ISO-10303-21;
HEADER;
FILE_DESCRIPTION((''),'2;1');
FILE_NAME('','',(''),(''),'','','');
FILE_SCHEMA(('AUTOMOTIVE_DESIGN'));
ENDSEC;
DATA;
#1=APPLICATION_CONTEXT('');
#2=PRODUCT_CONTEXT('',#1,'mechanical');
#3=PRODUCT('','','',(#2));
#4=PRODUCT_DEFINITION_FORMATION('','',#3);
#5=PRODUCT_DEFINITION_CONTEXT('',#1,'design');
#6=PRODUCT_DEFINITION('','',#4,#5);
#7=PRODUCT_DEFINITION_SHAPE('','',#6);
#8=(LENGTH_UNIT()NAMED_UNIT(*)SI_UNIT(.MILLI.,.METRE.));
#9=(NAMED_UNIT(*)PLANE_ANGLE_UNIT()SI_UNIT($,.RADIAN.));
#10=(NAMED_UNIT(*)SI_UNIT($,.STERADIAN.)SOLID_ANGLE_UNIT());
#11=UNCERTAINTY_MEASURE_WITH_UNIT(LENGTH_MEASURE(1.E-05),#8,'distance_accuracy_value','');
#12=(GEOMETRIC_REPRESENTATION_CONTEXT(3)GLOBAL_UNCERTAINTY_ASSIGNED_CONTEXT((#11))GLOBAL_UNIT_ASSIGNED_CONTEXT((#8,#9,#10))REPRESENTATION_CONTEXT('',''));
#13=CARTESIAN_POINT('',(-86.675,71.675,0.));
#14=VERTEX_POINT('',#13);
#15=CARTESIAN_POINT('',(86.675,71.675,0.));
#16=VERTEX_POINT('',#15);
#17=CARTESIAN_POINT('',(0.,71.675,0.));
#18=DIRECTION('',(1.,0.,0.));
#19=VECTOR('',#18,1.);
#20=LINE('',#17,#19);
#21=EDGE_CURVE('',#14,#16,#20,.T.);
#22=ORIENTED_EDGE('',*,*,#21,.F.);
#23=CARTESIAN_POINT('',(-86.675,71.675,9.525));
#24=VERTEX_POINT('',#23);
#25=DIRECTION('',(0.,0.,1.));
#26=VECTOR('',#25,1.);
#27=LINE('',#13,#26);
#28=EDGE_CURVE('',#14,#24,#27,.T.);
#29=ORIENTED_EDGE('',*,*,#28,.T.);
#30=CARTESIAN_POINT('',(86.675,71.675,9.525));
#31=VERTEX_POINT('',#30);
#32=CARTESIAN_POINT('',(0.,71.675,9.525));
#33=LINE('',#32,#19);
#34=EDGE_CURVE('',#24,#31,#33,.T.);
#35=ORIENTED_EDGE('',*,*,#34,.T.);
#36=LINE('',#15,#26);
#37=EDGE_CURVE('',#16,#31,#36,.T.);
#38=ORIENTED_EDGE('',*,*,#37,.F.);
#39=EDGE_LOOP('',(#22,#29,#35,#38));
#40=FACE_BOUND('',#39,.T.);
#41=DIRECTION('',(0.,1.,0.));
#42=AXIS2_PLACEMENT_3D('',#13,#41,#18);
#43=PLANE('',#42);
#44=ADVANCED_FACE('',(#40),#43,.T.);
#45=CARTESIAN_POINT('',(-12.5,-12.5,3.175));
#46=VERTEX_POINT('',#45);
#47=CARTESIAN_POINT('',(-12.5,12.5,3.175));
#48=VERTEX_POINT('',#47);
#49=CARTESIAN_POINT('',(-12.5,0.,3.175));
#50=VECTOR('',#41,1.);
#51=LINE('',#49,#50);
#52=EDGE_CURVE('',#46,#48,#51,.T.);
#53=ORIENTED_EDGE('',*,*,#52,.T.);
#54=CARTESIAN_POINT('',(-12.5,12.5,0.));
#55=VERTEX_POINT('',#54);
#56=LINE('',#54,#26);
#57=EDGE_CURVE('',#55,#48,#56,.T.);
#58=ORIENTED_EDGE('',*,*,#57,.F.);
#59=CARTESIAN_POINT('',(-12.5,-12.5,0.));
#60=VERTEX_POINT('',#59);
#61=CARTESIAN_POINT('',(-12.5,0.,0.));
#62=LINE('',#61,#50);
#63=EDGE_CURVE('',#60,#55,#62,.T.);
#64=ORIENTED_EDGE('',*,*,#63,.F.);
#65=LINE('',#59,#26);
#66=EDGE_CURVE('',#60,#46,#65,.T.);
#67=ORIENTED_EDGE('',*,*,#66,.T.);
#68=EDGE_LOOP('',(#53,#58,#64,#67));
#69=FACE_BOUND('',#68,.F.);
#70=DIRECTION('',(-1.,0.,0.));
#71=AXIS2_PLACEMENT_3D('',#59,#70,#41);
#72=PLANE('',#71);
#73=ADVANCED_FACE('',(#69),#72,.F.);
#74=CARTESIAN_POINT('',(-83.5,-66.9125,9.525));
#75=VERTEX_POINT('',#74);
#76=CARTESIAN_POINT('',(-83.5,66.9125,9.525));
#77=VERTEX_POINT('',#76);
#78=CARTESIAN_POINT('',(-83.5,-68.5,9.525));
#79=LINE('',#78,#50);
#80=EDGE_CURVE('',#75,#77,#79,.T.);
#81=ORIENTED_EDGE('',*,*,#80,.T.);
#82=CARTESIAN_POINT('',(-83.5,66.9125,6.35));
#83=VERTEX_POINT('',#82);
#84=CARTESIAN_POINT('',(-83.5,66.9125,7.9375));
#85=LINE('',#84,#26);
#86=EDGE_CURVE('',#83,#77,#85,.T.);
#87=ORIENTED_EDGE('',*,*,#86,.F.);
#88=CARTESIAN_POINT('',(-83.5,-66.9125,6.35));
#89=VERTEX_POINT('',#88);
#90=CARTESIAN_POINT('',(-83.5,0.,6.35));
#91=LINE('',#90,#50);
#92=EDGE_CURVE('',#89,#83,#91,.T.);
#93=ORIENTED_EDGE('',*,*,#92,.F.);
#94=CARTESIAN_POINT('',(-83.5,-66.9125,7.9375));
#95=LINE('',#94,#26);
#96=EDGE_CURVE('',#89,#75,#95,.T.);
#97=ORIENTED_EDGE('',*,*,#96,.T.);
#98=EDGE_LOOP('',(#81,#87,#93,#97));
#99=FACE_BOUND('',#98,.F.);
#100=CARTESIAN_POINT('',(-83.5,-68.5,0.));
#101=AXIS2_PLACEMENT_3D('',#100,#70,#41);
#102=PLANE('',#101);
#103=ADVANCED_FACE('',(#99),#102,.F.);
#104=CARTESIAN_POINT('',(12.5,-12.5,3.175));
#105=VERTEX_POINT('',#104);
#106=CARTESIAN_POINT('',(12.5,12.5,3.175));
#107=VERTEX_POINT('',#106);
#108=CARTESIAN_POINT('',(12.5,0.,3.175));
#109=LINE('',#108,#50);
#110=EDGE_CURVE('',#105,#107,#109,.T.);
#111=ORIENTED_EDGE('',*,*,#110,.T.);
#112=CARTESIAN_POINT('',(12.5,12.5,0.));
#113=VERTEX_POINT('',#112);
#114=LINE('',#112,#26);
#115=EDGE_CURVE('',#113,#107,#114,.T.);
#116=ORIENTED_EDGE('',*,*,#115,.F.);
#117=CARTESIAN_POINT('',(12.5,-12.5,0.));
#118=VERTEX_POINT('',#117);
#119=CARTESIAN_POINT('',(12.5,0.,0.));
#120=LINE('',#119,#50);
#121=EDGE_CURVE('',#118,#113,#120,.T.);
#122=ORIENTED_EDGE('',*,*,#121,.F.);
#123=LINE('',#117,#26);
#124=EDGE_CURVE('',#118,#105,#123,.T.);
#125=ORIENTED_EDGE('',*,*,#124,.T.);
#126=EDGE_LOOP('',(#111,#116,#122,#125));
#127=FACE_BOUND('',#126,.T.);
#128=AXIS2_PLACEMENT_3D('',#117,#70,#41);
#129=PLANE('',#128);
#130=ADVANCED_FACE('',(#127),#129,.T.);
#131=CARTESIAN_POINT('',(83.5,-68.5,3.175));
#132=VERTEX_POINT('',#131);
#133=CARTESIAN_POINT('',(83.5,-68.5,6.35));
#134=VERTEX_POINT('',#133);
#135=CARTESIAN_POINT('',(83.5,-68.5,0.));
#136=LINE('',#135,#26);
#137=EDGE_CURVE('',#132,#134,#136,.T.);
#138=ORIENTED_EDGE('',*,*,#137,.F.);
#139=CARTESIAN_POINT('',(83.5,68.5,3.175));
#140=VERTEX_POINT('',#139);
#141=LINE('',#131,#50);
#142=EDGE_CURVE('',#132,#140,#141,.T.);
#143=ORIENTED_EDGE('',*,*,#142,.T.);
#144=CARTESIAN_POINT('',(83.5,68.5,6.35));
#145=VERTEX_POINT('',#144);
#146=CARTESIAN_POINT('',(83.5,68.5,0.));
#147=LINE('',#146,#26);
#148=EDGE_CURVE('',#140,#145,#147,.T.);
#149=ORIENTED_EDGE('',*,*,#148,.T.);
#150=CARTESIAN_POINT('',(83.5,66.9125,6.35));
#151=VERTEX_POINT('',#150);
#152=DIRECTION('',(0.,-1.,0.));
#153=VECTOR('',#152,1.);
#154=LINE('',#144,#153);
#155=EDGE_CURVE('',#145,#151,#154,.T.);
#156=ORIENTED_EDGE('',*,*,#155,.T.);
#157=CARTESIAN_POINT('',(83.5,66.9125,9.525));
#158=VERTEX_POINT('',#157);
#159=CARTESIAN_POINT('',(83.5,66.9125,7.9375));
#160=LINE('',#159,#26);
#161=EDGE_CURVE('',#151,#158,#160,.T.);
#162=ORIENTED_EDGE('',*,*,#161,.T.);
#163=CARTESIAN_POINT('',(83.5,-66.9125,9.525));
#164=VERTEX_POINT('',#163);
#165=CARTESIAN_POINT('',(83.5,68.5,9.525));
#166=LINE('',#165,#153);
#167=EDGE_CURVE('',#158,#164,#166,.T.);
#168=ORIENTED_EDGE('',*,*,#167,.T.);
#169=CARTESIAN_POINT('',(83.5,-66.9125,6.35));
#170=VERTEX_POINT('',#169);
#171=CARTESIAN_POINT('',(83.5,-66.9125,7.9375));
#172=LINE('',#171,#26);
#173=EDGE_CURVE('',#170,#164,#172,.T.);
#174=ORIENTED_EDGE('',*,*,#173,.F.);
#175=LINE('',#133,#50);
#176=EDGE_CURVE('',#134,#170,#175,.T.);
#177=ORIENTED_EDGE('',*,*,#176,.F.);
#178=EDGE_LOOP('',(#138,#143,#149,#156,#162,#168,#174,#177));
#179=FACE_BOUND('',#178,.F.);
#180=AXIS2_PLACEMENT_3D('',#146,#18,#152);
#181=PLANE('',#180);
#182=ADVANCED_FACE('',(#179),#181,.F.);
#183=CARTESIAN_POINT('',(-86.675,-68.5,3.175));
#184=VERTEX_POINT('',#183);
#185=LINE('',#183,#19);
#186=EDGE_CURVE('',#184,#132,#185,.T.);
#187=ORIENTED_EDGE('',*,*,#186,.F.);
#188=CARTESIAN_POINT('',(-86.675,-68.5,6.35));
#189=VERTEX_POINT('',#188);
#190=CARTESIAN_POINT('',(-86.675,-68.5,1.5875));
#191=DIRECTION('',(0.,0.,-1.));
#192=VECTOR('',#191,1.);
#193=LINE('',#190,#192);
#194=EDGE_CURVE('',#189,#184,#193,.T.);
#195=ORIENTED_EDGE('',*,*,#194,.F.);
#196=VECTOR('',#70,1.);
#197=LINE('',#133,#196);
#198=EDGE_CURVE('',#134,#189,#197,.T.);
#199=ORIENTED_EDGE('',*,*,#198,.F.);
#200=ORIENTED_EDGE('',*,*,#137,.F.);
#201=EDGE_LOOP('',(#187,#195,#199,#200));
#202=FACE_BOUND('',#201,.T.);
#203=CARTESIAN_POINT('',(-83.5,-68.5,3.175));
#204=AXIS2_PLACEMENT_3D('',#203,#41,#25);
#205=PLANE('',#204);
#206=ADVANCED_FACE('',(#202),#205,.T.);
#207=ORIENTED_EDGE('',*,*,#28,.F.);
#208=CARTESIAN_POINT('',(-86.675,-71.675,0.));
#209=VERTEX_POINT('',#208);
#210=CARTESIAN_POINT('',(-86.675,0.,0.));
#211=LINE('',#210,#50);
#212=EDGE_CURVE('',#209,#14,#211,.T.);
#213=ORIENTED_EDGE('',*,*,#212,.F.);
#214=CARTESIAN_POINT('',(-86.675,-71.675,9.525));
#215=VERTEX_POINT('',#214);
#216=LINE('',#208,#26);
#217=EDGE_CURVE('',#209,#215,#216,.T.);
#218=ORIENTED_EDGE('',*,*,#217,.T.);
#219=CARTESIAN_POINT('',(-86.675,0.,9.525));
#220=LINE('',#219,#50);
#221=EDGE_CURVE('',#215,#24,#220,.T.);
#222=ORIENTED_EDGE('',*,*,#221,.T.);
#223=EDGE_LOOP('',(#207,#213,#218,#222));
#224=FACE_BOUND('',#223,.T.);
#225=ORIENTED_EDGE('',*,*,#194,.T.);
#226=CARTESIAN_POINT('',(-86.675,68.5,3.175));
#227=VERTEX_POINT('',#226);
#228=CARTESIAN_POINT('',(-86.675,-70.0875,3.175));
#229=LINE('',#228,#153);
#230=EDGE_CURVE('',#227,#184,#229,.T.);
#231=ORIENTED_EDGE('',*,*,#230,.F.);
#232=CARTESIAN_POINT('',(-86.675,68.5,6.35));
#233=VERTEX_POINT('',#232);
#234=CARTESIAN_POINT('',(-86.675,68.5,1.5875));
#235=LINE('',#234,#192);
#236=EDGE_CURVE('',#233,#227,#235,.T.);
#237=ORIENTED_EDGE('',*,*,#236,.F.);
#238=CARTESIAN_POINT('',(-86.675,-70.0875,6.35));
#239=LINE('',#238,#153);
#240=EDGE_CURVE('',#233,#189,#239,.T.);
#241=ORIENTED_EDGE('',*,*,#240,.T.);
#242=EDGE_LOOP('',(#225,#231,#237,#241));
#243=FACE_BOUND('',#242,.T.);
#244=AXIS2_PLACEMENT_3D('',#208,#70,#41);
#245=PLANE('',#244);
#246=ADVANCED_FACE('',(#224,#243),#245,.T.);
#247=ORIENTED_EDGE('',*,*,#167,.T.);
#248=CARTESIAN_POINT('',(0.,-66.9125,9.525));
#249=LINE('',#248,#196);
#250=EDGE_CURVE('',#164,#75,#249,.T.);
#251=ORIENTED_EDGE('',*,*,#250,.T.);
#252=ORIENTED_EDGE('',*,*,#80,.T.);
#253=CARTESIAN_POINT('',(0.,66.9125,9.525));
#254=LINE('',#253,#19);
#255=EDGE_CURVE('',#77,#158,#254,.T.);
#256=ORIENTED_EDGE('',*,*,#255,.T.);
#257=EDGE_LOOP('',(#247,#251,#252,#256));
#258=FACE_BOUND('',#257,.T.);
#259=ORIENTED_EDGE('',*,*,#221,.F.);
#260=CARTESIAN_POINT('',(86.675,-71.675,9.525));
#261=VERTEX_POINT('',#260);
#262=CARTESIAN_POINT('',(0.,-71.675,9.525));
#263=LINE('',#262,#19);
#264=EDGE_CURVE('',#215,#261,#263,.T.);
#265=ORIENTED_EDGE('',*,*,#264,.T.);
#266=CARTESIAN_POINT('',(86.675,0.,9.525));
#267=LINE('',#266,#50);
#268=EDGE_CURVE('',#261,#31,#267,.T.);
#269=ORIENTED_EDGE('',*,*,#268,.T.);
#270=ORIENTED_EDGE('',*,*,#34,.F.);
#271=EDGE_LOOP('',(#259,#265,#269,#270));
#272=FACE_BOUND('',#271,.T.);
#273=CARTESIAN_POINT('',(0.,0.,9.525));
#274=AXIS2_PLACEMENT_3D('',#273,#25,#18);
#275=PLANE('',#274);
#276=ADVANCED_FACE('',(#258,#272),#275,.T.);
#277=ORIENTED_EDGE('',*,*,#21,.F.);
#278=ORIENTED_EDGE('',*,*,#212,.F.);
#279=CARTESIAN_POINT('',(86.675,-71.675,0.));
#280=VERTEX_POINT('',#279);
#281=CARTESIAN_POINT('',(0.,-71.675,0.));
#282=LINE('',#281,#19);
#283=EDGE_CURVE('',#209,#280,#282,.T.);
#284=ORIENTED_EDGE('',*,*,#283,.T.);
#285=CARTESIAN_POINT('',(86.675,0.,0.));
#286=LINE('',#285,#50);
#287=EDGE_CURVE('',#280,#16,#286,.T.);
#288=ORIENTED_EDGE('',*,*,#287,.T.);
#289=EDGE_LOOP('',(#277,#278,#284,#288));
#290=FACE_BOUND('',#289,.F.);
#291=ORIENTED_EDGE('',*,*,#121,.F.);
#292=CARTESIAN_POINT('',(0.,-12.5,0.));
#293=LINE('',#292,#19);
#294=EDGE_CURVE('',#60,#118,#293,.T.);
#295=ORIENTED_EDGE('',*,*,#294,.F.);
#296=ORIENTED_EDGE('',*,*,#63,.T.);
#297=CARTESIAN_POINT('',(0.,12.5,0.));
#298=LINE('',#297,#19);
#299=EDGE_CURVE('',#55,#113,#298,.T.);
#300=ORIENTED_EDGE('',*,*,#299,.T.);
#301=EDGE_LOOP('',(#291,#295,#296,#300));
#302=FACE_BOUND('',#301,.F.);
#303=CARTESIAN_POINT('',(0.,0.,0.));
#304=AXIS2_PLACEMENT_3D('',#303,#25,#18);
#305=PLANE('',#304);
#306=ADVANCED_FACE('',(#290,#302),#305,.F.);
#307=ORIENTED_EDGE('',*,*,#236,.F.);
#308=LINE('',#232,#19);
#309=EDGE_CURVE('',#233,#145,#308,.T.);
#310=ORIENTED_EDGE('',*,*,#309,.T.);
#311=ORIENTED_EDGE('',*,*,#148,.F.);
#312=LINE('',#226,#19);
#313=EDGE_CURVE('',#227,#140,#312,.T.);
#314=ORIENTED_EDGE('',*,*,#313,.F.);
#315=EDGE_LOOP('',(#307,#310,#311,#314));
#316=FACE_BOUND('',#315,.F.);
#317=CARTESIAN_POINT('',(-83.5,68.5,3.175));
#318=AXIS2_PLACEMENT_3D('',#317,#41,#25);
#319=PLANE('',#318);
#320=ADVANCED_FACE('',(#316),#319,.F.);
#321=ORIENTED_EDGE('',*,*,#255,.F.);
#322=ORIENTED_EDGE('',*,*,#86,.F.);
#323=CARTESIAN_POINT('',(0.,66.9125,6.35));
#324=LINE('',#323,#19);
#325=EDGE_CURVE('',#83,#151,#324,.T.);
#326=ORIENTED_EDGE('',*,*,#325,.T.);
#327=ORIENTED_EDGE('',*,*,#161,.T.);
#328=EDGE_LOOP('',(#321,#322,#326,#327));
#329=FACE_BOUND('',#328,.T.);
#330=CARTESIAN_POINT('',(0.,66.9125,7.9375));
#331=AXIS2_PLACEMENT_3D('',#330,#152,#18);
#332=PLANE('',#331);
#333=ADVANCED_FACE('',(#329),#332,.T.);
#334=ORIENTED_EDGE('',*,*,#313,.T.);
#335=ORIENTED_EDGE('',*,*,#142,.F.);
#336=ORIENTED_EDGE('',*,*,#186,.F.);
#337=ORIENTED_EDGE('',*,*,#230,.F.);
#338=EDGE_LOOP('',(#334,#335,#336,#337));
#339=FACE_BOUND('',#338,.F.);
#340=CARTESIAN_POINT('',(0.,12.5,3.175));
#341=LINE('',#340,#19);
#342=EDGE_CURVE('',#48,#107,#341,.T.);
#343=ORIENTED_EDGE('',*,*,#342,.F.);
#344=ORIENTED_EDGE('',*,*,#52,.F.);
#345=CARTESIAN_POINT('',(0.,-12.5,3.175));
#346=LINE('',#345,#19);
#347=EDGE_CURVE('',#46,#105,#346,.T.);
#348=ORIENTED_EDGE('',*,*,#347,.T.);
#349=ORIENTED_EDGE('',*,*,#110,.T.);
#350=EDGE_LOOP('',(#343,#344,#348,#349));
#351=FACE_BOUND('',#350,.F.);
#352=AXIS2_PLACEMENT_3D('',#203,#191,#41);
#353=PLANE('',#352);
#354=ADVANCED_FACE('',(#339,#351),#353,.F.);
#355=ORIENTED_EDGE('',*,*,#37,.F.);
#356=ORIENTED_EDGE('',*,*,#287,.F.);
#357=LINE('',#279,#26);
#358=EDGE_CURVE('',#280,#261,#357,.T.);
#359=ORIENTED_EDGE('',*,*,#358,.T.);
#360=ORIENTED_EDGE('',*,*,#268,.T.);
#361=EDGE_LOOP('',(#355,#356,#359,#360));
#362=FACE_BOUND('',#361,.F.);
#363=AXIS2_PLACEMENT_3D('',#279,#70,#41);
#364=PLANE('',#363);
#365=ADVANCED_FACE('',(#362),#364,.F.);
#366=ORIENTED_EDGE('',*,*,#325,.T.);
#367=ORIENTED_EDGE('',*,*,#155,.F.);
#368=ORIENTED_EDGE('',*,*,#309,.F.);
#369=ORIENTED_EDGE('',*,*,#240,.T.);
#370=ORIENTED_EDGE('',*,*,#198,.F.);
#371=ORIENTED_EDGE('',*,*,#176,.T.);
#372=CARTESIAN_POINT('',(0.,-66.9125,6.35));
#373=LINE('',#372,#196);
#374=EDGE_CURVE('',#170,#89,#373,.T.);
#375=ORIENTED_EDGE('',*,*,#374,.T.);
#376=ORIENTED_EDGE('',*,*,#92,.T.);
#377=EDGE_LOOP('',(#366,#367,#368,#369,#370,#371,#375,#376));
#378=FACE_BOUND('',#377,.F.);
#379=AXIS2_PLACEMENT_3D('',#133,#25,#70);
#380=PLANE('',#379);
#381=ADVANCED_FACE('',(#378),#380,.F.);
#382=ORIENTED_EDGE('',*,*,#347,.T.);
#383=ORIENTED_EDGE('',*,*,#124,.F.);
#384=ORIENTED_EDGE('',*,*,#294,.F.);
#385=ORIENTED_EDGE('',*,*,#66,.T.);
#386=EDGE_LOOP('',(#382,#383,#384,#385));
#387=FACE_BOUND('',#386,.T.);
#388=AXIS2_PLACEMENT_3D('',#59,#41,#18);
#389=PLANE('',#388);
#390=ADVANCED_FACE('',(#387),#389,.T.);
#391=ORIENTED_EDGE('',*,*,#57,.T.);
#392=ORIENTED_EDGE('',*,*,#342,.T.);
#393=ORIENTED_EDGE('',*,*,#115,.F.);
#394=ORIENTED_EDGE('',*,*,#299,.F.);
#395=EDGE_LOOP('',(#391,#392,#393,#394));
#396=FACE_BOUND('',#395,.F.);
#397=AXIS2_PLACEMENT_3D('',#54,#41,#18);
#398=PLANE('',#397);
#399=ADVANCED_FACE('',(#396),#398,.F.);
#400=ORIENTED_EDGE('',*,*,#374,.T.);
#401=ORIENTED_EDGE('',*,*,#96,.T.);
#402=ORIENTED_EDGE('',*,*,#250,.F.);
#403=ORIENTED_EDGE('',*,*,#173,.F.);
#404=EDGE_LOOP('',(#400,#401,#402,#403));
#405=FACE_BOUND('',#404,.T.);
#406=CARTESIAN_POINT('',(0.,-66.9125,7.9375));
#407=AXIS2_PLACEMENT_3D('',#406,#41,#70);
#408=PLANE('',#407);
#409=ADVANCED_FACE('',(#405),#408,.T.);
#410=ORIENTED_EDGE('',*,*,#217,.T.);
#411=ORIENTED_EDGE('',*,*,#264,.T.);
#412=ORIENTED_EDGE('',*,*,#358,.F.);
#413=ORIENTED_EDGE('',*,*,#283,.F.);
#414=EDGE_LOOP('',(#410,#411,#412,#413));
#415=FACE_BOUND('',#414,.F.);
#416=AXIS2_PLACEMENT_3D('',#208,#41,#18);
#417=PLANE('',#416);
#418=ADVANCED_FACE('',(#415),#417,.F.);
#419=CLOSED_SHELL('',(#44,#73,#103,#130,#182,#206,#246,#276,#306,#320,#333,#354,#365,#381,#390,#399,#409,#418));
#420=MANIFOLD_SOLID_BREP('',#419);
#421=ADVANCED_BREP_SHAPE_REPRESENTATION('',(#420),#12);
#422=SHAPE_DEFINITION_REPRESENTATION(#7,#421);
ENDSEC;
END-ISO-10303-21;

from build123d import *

# Parameters (mm, degrees)
F0_W     = 25
F0_H     = 25
F1_DEPTH = 3.175
F0_W_2   = 173.35
F0_H_2   = 143.35
F2_DEPTH = 9.525
F3_W     = 137
F3_H     = 3.175
F4_DEPTH = 25.4
F5_W     = 167
F5_H     = 3.175
F6_DEPTH = 1.5875
F7_W     = 167
F7_H     = 3.175
F8_DEPTH = 1.5875


with BuildPart() as f1:
    # F0 (on Top) → F1 (new body)
    with BuildSketch(Plane.XY):
        Polygon((-41.7, 68.5), (-67.1, 68.5), (-83.5, 68.5), (-83.5, 52.1), (-83.5, 26.7), (-83.5, -24.1), (-83.5, -49.5), (-83.5, -68.5), (-67.1, -68.5), (-41.7, -68.5), (-16.3, -68.5), (9.1, -68.5), (34.5, -68.5), (59.9, -68.5), (83.5, -68.5), (83.5, -49.5), (83.5, -24.1), (83.5, 26.7), (83.5, 52.1), (83.5, 68.5), (59.9, 68.5), (34.5, 68.5), (9.1, 68.5), (-16.3, 68.5), align=None)
        Rectangle(F0_W, F0_H, mode=Mode.SUBTRACT)
    extrude(amount=F1_DEPTH)

    # F0 (on Top) → F2 (join)
    with BuildSketch(Plane.XY):
        Rectangle(F0_W_2, F0_H_2)
        Polygon((-83.5, 68.5), (-67.1, 68.5), (-41.7, 68.5), (-16.3, 68.5), (9.1, 68.5), (34.5, 68.5), (59.9, 68.5), (83.5, 68.5), (83.5, 52.1), (83.5, 26.7), (83.5, -24.1), (83.5, -49.5), (83.5, -68.5), (59.9, -68.5), (34.5, -68.5), (9.1, -68.5), (-16.3, -68.5), (-41.7, -68.5), (-67.1, -68.5), (-83.5, -68.5), (-83.5, -49.5), (-83.5, -24.1), (-83.5, 26.7), (-83.5, 52.1), align=None, mode=Mode.SUBTRACT)
    extrude(amount=F2_DEPTH)

    # F3 (on face) → F4 (cut)
    with BuildSketch(Plane.YZ.offset(-83.5)):
        with Locations((0, 4.7625)):
            Rectangle(F3_W, F3_H)
    extrude(amount=-F4_DEPTH, mode=Mode.SUBTRACT)

    # F5 (on face) → F6 (join)
    with BuildSketch(Plane.XZ.offset(-68.5)):
        with Locations((0, 7.9375)):
            Rectangle(F5_W, F5_H)
    extrude(amount=F6_DEPTH)

    # F7 (on face) → F8 (join)
    with BuildSketch(Plane(origin=(0, -68.5, 0), x_dir=(-1, 0, 0), z_dir=(0, 1, 0))):
        with Locations((0, 7.9375)):
            Rectangle(F7_W, F7_H)
    extrude(amount=F8_DEPTH)


solid = f1.part
